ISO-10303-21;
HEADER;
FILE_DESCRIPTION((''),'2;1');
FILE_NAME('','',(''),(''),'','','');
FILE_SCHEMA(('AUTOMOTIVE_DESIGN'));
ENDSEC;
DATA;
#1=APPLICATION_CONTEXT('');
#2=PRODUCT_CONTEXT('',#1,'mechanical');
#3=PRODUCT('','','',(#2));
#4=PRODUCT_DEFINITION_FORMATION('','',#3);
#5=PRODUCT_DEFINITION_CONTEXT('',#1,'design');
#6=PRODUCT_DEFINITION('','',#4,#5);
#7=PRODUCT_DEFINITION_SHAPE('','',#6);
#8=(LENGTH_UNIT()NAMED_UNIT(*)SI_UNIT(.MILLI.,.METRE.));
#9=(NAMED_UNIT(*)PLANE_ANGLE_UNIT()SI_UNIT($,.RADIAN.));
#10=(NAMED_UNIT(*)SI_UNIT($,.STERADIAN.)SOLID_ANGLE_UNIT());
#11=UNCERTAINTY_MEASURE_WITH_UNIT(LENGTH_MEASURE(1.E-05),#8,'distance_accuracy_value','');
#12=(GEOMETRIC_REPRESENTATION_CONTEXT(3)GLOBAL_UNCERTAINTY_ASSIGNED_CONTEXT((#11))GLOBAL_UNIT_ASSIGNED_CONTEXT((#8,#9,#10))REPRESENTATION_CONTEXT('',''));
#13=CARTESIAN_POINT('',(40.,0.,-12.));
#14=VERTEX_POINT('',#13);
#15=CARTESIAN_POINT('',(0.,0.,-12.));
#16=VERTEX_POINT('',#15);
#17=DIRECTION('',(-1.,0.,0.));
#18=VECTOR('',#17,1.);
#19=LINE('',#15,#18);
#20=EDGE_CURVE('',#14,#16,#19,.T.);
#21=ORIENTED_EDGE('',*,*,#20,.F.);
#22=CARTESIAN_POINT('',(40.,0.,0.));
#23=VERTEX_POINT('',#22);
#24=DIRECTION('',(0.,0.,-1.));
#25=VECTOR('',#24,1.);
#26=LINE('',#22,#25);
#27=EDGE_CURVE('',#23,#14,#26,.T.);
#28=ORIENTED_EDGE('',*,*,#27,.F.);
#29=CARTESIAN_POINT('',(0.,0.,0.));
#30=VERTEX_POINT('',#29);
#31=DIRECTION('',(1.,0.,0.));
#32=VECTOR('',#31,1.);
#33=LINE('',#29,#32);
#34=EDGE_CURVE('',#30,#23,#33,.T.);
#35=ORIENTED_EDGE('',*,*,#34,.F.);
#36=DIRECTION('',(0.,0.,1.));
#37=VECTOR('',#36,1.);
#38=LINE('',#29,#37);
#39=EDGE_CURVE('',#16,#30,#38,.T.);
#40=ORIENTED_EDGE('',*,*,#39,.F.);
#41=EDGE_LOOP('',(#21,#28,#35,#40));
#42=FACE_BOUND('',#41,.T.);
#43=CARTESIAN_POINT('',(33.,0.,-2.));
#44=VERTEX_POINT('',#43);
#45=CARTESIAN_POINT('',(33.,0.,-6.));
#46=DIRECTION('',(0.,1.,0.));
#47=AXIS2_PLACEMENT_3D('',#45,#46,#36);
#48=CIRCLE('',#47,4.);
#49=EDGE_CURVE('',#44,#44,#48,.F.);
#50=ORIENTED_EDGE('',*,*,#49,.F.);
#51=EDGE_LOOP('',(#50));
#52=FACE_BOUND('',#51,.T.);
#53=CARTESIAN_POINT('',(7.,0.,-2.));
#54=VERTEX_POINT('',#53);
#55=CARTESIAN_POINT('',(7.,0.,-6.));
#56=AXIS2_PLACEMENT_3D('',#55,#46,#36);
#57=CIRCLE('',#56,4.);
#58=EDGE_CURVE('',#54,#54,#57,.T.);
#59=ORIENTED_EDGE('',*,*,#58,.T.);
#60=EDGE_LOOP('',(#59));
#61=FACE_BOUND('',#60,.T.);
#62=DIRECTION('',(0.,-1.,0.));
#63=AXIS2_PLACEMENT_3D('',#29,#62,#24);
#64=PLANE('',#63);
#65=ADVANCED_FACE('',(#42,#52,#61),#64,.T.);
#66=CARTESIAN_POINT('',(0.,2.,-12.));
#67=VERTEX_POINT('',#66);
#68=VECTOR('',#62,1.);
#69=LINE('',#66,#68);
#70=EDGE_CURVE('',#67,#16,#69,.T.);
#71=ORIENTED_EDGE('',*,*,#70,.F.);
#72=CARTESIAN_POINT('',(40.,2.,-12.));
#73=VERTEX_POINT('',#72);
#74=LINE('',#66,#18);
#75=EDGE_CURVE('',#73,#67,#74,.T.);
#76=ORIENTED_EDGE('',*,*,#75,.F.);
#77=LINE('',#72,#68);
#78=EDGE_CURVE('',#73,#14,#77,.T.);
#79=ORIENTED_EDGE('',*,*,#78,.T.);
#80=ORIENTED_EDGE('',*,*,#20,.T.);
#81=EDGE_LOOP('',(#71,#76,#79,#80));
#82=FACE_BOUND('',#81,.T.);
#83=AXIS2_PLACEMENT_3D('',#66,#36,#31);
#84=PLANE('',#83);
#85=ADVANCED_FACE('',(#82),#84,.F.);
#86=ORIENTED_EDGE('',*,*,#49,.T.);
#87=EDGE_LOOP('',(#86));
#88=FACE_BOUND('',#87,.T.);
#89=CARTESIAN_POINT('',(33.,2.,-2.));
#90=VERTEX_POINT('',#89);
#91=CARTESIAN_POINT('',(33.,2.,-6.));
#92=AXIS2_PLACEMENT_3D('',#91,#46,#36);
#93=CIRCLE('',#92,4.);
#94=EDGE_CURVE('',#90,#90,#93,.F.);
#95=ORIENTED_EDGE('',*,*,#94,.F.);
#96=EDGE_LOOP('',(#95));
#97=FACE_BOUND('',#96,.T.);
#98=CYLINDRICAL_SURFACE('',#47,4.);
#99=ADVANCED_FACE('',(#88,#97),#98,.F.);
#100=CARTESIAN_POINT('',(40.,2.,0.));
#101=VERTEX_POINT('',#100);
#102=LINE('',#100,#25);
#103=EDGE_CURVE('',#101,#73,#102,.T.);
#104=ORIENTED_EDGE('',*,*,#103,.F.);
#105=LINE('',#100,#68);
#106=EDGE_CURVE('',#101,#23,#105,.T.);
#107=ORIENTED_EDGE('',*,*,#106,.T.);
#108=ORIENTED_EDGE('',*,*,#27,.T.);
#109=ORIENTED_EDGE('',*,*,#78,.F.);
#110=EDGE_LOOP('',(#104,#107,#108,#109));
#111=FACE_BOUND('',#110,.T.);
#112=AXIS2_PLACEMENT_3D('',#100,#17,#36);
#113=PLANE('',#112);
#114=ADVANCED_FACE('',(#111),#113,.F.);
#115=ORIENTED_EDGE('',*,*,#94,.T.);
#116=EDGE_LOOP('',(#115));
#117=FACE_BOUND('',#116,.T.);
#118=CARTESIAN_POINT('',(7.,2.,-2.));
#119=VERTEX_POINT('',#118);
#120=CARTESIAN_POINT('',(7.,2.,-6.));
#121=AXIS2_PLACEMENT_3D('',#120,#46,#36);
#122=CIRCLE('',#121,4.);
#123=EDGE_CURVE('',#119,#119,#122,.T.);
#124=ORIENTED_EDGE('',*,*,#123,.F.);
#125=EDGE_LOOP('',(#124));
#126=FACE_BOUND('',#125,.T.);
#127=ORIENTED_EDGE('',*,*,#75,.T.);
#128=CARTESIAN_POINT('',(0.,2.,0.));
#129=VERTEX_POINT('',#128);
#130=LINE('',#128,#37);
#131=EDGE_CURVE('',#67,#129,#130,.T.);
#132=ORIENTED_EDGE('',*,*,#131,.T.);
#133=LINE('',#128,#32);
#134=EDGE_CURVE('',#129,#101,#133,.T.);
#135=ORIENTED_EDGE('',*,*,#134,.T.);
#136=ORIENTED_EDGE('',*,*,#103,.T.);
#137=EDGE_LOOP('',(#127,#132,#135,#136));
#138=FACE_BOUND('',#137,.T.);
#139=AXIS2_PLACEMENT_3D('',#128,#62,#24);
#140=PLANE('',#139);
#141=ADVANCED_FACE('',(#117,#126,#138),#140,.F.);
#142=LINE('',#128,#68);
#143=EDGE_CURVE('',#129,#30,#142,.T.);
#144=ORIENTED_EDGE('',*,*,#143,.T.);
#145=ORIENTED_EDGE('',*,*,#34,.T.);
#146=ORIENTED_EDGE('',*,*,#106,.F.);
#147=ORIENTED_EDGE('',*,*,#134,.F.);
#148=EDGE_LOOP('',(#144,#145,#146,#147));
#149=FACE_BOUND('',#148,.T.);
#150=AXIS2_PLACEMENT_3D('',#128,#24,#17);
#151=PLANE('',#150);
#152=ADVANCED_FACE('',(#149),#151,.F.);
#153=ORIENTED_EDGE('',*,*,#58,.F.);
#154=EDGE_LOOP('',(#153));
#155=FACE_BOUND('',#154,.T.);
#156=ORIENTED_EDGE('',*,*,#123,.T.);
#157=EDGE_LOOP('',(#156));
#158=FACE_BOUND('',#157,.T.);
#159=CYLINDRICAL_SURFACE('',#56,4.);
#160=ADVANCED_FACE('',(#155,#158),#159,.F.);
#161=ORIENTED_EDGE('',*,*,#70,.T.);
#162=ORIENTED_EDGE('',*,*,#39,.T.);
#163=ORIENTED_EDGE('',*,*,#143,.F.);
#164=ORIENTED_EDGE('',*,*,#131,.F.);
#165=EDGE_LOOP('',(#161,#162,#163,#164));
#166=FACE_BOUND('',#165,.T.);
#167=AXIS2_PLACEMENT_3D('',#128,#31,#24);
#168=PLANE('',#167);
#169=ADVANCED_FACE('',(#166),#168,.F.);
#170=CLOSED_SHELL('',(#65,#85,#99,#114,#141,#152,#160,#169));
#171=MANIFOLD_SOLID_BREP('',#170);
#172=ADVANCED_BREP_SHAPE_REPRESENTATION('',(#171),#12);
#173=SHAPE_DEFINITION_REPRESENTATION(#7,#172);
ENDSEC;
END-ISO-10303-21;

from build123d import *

# Parameters (mm, degrees)
SKETCH1_W           = 40
SKETCH1_H           = 12
BOSS_EXTRUDE1_DEPTH = 2
SKETCH2_R           = 4
CUT_EXTRUDE3_DEPTH  = 42.809089921


with BuildPart() as part:
    # Sketch1 → Boss-Extrude1 (new body)
    with BuildSketch(Plane(origin=(0, 0, 0), x_dir=(1, 0, 0), z_dir=(0, 1, 0))):
        with Locations((20, 6)):
            Rectangle(SKETCH1_W, SKETCH1_H)
    extrude(amount=BOSS_EXTRUDE1_DEPTH)

    # Sketch2 → Cut-Extrude3 (cut, through all)
    with BuildSketch(Plane(origin=(0, 2, 0), x_dir=(1, 0, 0), z_dir=(0, 1, 0))):
        with Locations(Location((7, 6, 0), (0, 0, 270))):
            Circle(SKETCH2_R)
        with Locations(Location((33, 6, 0), (0, 0, 270))):
            Circle(SKETCH2_R)
    extrude(amount=-CUT_EXTRUDE3_DEPTH, mode=Mode.SUBTRACT)


solid = part.part
